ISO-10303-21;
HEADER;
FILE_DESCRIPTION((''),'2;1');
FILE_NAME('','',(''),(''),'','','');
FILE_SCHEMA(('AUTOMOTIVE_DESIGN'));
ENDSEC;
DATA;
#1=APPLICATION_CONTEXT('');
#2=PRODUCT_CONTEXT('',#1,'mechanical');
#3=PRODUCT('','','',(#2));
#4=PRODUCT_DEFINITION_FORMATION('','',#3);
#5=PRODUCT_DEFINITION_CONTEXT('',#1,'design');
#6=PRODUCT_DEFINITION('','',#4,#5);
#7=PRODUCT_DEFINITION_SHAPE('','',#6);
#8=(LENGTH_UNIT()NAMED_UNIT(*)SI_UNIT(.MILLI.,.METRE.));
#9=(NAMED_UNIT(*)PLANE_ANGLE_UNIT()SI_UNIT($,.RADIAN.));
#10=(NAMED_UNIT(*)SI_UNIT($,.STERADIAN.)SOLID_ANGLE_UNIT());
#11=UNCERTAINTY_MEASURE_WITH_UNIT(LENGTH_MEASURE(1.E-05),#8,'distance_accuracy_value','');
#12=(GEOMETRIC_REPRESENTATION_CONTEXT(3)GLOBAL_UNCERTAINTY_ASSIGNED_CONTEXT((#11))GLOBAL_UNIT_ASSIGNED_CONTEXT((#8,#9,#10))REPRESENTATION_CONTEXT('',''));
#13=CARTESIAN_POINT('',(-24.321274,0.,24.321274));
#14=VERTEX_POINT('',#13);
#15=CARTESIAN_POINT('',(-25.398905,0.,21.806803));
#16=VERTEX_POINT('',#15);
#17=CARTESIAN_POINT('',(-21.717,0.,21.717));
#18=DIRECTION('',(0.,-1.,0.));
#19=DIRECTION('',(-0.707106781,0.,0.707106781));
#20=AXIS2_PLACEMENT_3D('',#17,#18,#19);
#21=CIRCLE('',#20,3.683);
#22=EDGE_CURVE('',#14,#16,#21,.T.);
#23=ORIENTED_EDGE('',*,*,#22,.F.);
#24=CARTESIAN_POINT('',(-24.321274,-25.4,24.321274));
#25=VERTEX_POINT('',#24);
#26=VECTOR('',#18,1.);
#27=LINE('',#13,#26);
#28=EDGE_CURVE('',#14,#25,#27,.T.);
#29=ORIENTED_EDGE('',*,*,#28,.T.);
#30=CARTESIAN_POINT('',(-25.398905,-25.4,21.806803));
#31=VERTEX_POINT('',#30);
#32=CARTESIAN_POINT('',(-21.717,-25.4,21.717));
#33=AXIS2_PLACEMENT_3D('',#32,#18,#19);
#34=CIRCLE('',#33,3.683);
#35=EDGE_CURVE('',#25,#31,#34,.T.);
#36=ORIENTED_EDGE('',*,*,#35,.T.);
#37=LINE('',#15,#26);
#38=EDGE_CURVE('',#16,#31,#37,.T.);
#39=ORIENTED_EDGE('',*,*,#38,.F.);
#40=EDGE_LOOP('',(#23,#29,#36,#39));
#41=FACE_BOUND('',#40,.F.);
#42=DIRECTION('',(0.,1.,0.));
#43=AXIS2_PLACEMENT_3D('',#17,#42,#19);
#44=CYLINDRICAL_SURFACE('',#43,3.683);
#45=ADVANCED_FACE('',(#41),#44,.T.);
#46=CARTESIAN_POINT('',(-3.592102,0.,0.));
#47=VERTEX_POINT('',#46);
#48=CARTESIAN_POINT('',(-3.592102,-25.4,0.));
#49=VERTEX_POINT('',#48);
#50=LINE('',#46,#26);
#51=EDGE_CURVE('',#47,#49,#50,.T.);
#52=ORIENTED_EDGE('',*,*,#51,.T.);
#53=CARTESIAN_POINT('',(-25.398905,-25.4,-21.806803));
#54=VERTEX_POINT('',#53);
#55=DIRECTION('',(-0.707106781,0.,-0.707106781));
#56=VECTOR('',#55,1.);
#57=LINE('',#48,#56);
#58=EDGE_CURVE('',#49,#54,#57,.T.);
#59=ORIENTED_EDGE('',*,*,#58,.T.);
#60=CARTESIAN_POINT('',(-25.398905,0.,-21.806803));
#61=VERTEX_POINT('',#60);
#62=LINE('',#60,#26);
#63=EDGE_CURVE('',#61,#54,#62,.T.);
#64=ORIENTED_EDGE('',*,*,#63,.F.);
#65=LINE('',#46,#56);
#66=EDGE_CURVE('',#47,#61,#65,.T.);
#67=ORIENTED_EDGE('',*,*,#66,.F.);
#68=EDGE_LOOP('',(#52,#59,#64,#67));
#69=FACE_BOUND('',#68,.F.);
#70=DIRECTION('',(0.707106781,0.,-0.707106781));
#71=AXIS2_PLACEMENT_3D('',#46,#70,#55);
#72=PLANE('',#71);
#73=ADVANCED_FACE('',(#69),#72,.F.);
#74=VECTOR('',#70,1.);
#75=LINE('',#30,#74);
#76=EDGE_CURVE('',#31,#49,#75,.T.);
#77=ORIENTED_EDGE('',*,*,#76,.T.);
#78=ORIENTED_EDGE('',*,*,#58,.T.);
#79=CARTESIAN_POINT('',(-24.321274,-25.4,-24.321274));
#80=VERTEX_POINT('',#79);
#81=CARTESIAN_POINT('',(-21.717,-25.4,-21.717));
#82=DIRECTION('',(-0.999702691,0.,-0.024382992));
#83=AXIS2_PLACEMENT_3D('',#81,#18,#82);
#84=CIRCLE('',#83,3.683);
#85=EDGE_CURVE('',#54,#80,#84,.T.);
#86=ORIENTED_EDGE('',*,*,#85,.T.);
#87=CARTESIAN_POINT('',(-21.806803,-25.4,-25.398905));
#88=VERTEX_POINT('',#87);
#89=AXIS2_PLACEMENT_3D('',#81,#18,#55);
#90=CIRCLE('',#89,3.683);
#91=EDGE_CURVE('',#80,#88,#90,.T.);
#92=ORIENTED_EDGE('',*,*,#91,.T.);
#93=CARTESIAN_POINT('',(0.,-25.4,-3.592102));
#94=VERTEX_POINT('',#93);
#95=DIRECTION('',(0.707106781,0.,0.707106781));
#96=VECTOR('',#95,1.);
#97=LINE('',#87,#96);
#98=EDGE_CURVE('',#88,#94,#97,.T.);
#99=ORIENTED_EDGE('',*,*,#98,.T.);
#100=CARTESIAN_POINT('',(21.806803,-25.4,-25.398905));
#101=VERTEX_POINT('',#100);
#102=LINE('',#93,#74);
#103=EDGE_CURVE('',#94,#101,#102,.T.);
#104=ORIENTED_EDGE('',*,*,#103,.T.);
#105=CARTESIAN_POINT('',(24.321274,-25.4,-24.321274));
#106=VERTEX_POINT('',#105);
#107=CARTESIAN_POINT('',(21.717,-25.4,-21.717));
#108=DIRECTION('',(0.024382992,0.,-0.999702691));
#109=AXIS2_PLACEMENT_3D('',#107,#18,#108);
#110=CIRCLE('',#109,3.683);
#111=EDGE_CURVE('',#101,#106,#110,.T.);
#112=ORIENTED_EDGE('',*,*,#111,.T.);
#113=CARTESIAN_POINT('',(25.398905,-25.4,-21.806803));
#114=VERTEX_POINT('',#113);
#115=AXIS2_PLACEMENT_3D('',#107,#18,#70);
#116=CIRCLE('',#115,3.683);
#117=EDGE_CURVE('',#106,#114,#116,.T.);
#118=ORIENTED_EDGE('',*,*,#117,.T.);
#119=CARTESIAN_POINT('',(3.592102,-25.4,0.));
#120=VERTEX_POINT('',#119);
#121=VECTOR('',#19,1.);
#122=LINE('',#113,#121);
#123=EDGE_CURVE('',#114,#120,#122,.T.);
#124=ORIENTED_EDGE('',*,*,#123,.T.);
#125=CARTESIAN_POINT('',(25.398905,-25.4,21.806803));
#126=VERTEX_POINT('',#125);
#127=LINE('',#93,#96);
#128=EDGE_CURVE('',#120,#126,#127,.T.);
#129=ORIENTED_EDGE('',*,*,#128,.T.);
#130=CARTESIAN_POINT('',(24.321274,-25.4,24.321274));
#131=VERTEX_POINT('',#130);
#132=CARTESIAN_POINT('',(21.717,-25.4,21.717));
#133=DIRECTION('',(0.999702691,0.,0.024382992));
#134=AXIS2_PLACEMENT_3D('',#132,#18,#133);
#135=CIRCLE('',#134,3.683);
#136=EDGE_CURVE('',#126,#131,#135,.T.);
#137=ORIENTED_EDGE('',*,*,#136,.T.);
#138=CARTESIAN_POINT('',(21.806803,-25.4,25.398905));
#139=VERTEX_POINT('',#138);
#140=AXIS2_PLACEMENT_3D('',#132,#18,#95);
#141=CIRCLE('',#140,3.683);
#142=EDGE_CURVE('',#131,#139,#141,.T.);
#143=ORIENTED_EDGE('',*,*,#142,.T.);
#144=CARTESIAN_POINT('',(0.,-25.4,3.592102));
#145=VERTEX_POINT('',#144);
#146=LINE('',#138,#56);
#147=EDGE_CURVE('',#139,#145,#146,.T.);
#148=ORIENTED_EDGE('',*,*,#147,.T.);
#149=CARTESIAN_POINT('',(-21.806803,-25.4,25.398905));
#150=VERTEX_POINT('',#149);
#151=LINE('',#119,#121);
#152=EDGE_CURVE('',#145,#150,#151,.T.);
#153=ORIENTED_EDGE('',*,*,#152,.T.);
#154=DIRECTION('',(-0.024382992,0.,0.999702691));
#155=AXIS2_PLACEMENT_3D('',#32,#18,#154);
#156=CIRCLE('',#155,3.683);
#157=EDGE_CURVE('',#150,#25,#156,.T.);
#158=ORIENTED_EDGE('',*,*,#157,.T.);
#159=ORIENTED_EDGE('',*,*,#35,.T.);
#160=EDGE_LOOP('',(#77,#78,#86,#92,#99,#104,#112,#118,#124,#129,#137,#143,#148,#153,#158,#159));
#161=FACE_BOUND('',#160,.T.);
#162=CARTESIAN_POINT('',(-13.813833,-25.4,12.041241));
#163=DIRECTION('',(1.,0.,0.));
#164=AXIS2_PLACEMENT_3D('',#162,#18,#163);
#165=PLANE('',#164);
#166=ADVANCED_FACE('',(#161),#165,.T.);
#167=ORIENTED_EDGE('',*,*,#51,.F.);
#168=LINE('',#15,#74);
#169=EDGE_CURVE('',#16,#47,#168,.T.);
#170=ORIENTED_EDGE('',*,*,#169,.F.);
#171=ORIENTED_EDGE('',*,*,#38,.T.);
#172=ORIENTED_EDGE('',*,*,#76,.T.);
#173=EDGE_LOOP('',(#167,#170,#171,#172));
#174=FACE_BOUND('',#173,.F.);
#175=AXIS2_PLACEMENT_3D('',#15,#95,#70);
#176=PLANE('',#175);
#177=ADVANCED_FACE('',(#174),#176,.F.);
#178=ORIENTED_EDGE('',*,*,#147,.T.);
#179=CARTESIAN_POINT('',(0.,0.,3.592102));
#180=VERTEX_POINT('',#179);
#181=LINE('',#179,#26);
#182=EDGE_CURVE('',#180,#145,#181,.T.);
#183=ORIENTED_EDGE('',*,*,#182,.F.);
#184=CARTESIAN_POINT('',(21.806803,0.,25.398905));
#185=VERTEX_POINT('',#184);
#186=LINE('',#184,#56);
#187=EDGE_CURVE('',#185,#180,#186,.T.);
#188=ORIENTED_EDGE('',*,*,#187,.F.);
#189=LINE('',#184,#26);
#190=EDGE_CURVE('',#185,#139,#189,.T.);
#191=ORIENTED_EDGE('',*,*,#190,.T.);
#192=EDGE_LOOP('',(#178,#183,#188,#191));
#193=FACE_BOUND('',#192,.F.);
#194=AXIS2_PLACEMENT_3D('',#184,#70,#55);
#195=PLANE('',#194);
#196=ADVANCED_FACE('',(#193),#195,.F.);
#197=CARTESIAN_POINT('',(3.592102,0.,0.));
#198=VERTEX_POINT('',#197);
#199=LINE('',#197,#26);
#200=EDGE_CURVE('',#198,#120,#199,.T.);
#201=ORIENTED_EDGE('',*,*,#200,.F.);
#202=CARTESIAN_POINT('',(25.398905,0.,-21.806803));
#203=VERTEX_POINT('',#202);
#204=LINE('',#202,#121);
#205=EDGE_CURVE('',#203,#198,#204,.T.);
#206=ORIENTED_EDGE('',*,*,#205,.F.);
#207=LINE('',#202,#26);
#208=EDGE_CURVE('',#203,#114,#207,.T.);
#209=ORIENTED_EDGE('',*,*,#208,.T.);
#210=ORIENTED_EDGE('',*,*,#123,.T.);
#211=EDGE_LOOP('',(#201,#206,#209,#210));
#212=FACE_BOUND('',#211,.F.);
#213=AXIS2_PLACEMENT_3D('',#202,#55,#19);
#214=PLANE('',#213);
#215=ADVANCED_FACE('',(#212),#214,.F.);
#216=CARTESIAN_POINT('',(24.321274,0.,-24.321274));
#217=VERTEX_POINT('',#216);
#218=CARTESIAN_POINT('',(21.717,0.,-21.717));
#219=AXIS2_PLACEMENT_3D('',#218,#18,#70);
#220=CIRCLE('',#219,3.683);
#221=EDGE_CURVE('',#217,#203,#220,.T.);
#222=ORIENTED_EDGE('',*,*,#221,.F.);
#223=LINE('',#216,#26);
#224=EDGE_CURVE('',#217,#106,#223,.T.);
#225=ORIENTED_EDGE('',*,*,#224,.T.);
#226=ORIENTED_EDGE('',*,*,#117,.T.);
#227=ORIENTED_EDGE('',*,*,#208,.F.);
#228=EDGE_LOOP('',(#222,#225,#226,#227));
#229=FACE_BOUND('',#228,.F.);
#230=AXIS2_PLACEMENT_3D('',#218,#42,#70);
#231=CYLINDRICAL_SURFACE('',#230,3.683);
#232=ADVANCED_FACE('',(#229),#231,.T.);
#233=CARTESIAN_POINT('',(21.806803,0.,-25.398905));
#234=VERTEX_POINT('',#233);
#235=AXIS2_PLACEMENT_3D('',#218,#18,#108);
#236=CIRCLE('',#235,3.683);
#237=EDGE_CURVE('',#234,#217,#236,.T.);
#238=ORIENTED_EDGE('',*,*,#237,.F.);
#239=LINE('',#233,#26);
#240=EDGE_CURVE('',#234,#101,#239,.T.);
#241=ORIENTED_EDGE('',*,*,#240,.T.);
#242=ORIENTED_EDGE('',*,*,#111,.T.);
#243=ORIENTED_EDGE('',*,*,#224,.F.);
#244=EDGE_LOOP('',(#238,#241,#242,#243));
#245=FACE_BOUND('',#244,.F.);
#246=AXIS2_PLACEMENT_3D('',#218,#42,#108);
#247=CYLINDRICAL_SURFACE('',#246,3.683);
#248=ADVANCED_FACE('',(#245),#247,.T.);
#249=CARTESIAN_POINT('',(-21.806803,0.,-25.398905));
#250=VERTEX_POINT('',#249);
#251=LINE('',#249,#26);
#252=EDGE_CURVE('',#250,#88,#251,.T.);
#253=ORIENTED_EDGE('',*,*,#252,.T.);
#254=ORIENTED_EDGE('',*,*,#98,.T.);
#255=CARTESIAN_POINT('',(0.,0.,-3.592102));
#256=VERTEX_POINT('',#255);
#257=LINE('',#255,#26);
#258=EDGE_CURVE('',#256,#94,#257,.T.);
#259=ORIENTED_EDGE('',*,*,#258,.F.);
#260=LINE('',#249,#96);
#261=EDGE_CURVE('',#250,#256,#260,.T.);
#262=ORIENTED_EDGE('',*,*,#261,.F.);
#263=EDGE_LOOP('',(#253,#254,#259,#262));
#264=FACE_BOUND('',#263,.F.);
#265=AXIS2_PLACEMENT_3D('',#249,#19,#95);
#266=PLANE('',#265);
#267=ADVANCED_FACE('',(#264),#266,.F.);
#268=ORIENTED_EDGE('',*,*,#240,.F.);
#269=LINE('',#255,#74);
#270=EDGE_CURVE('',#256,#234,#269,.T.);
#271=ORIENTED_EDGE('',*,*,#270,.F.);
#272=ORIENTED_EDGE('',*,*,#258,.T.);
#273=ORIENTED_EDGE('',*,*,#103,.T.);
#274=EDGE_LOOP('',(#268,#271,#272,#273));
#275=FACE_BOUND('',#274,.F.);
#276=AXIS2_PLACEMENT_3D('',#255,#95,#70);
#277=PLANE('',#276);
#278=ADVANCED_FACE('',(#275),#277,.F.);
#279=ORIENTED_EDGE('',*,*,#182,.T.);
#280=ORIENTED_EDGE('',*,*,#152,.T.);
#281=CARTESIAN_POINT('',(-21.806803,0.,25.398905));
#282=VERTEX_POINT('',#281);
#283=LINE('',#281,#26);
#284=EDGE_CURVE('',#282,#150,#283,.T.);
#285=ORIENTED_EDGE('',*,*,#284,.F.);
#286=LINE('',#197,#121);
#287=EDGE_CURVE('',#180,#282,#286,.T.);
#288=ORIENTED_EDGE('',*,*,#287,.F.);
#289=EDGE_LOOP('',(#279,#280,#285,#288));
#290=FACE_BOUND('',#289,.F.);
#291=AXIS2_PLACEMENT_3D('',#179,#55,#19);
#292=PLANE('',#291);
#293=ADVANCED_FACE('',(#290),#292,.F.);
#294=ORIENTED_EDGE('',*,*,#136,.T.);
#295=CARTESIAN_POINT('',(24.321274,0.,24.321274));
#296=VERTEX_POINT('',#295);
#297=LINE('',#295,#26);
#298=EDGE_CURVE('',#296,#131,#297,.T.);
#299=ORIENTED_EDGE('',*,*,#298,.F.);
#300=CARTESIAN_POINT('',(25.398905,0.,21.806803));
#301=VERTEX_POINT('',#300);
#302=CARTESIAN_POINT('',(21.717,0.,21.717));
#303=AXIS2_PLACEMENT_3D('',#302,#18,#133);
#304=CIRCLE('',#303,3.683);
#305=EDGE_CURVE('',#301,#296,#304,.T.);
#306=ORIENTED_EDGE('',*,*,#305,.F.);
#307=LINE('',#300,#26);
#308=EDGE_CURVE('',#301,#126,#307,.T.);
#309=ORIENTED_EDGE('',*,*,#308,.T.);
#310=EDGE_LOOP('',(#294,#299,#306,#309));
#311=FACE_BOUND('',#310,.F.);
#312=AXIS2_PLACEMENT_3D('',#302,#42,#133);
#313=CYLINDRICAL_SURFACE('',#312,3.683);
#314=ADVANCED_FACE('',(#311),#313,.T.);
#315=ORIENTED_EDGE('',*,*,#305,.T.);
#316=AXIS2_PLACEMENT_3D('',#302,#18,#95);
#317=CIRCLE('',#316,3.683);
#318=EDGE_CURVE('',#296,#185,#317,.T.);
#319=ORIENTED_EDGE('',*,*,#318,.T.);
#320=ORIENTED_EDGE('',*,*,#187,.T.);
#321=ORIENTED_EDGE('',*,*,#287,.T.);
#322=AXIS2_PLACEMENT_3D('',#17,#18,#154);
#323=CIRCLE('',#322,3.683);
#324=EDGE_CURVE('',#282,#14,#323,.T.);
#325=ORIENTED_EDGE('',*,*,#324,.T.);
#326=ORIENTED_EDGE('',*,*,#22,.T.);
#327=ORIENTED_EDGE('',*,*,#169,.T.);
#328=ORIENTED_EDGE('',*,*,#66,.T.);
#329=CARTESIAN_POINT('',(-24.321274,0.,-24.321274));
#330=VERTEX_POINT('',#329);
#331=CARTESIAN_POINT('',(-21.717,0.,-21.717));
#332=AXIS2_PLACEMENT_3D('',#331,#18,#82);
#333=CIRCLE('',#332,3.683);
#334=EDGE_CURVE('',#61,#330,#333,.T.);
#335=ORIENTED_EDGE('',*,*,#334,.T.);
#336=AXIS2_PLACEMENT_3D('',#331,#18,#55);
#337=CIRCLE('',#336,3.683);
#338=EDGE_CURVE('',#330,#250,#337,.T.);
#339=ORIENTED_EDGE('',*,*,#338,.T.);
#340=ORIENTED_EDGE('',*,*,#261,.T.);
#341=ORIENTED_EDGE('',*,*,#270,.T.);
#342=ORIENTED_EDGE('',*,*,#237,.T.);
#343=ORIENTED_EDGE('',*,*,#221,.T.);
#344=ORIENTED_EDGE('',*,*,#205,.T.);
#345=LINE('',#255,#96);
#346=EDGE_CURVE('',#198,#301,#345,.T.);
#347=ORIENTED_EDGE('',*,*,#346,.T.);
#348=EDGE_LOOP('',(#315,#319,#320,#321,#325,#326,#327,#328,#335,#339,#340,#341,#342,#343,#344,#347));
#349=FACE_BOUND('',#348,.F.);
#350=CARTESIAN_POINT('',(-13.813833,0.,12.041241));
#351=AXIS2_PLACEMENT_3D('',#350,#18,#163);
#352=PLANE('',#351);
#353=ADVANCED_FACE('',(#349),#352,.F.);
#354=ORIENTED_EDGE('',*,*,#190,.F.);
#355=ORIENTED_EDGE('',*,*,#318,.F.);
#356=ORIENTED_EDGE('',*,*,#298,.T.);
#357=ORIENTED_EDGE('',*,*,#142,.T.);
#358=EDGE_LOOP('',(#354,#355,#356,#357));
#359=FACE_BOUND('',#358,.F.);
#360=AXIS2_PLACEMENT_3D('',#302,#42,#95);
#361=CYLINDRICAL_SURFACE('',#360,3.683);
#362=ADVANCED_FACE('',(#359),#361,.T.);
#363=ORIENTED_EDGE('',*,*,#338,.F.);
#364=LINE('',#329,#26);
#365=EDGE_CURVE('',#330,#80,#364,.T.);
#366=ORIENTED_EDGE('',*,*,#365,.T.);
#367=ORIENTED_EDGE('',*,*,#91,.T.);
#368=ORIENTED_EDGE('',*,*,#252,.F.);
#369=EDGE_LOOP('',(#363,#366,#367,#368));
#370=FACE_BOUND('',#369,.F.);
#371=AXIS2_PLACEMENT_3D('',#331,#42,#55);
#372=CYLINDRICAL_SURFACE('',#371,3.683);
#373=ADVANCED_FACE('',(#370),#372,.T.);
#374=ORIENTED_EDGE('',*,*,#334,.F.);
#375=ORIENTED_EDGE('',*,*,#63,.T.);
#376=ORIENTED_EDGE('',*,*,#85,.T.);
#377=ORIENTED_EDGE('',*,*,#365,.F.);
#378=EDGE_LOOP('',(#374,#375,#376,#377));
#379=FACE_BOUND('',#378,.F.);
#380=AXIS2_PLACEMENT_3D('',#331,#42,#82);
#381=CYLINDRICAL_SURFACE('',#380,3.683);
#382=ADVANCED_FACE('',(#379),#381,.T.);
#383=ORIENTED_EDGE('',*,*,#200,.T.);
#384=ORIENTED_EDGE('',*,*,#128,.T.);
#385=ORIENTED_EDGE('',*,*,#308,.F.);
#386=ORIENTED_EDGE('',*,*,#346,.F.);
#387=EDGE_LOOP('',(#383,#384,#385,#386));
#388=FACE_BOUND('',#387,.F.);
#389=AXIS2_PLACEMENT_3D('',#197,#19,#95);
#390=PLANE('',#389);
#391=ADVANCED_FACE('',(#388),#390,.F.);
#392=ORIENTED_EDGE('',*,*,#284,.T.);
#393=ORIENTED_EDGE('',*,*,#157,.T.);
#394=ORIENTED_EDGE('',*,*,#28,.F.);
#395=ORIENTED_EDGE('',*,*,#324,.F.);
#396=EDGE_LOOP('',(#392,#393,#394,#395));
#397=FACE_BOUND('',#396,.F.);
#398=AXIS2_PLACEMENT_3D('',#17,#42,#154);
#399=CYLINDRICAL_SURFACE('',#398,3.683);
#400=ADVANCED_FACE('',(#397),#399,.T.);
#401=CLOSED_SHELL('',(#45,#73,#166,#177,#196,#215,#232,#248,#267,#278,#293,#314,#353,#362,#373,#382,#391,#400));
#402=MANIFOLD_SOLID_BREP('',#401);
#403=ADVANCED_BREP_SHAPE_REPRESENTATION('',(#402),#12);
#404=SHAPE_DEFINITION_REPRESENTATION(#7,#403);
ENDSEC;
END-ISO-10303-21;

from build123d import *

# Parameters (mm, degrees)
F1_DEPTH = 25.4


with BuildPart() as f1:
    # F0 (on Front) → F1 (new body)
    with BuildSketch(Plane.XZ):
        with BuildLine():
            Line((-1.7960512242, 1.7960512242), (-24.3212742751, 24.3212742751))
            ThreePointArc((-24.3212742751, 24.3212742751), (-25.1022111456, 23.1678047767), (-25.3989050096, 21.8068025612))
            Line((-25.3989050096, 21.8068025612), (-3.5921024484, 0))
            Line((-3.5921024484, 0), (-1.7960512242, 1.7960512242))
        make_face()
        with BuildLine():
            Line((0, 3.5921024484), (-21.8068025612, 25.3989050096))
            ThreePointArc((-21.8068025612, 25.3989050096), (-23.1678047767, 25.1022111456), (-24.3212742751, 24.3212742751))
            Line((-24.3212742751, 24.3212742751), (-1.7960512242, 1.7960512242))
            Line((-1.7960512242, 1.7960512242), (0, 3.5921024484))
        make_face()
        Polygon((0, 0), (-1.7960512242, 1.7960512242), (-3.5921024484, 0), (-1.7960512242, -1.7960512242), align=None)
        Polygon((1.7960512242, 1.7960512242), (0, 3.5921024484), (-1.7960512242, 1.7960512242), (0, 0), align=None)
        Polygon((3.5921024484, 0), (1.7960512242, 1.7960512242), (0, 0), (1.7960512242, -1.7960512242), align=None)
        Polygon((1.7960512242, -1.7960512242), (0, 0), (-1.7960512242, -1.7960512242), (0, -3.5921024484), align=None)
        with BuildLine():
            ThreePointArc((24.3212742751, 24.3212742751), (23.1678047767, 25.1022111456), (21.8068025612, 25.3989050096))
            Line((21.8068025612, 25.3989050096), (0, 3.5921024484))
            Line((0, 3.5921024484), (1.7960512242, 1.7960512242))
            Line((1.7960512242, 1.7960512242), (24.3212742751, 24.3212742751))
        make_face()
        with BuildLine():
            ThreePointArc((25.3989050096, 21.8068025612), (25.1022111456, 23.1678047767), (24.3212742751, 24.3212742751))
            Line((24.3212742751, 24.3212742751), (1.7960512242, 1.7960512242))
            Line((1.7960512242, 1.7960512242), (3.5921024484, 0))
            Line((3.5921024484, 0), (25.3989050096, 21.8068025612))
        make_face()
        with BuildLine():
            Line((25.3989050096, -21.8068025612), (3.5921024484, 0))
            Line((3.5921024484, 0), (1.7960512242, -1.7960512242))
            Line((1.7960512242, -1.7960512242), (24.3212742751, -24.3212742751))
            ThreePointArc((24.3212742751, -24.3212742751), (25.1022111456, -23.1678047767), (25.3989050096, -21.8068025612))
        make_face()
        with BuildLine():
            Line((-1.7960512242, -1.7960512242), (-3.5921024484, 0))
            Line((-3.5921024484, 0), (-25.3989050096, -21.8068025612))
            ThreePointArc((-25.3989050096, -21.8068025612), (-25.1022111456, -23.1678047767), (-24.3212742751, -24.3212742751))
            Line((-24.3212742751, -24.3212742751), (-1.7960512242, -1.7960512242))
        make_face()
        with BuildLine():
            Line((0, -3.5921024484), (-1.7960512242, -1.7960512242))
            Line((-1.7960512242, -1.7960512242), (-24.3212742751, -24.3212742751))
            ThreePointArc((-24.3212742751, -24.3212742751), (-23.1678047767, -25.1022111456), (-21.8068025612, -25.3989050096))
            Line((-21.8068025612, -25.3989050096), (0, -3.5921024484))
        make_face()
        with BuildLine():
            Line((24.3212742751, -24.3212742751), (1.7960512242, -1.7960512242))
            Line((1.7960512242, -1.7960512242), (0, -3.5921024484))
            Line((0, -3.5921024484), (21.8068025612, -25.3989050096))
            ThreePointArc((21.8068025612, -25.3989050096), (23.1678047767, -25.1022111456), (24.3212742751, -24.3212742751))
        make_face()
    extrude(amount=F1_DEPTH)


solid = f1.part
